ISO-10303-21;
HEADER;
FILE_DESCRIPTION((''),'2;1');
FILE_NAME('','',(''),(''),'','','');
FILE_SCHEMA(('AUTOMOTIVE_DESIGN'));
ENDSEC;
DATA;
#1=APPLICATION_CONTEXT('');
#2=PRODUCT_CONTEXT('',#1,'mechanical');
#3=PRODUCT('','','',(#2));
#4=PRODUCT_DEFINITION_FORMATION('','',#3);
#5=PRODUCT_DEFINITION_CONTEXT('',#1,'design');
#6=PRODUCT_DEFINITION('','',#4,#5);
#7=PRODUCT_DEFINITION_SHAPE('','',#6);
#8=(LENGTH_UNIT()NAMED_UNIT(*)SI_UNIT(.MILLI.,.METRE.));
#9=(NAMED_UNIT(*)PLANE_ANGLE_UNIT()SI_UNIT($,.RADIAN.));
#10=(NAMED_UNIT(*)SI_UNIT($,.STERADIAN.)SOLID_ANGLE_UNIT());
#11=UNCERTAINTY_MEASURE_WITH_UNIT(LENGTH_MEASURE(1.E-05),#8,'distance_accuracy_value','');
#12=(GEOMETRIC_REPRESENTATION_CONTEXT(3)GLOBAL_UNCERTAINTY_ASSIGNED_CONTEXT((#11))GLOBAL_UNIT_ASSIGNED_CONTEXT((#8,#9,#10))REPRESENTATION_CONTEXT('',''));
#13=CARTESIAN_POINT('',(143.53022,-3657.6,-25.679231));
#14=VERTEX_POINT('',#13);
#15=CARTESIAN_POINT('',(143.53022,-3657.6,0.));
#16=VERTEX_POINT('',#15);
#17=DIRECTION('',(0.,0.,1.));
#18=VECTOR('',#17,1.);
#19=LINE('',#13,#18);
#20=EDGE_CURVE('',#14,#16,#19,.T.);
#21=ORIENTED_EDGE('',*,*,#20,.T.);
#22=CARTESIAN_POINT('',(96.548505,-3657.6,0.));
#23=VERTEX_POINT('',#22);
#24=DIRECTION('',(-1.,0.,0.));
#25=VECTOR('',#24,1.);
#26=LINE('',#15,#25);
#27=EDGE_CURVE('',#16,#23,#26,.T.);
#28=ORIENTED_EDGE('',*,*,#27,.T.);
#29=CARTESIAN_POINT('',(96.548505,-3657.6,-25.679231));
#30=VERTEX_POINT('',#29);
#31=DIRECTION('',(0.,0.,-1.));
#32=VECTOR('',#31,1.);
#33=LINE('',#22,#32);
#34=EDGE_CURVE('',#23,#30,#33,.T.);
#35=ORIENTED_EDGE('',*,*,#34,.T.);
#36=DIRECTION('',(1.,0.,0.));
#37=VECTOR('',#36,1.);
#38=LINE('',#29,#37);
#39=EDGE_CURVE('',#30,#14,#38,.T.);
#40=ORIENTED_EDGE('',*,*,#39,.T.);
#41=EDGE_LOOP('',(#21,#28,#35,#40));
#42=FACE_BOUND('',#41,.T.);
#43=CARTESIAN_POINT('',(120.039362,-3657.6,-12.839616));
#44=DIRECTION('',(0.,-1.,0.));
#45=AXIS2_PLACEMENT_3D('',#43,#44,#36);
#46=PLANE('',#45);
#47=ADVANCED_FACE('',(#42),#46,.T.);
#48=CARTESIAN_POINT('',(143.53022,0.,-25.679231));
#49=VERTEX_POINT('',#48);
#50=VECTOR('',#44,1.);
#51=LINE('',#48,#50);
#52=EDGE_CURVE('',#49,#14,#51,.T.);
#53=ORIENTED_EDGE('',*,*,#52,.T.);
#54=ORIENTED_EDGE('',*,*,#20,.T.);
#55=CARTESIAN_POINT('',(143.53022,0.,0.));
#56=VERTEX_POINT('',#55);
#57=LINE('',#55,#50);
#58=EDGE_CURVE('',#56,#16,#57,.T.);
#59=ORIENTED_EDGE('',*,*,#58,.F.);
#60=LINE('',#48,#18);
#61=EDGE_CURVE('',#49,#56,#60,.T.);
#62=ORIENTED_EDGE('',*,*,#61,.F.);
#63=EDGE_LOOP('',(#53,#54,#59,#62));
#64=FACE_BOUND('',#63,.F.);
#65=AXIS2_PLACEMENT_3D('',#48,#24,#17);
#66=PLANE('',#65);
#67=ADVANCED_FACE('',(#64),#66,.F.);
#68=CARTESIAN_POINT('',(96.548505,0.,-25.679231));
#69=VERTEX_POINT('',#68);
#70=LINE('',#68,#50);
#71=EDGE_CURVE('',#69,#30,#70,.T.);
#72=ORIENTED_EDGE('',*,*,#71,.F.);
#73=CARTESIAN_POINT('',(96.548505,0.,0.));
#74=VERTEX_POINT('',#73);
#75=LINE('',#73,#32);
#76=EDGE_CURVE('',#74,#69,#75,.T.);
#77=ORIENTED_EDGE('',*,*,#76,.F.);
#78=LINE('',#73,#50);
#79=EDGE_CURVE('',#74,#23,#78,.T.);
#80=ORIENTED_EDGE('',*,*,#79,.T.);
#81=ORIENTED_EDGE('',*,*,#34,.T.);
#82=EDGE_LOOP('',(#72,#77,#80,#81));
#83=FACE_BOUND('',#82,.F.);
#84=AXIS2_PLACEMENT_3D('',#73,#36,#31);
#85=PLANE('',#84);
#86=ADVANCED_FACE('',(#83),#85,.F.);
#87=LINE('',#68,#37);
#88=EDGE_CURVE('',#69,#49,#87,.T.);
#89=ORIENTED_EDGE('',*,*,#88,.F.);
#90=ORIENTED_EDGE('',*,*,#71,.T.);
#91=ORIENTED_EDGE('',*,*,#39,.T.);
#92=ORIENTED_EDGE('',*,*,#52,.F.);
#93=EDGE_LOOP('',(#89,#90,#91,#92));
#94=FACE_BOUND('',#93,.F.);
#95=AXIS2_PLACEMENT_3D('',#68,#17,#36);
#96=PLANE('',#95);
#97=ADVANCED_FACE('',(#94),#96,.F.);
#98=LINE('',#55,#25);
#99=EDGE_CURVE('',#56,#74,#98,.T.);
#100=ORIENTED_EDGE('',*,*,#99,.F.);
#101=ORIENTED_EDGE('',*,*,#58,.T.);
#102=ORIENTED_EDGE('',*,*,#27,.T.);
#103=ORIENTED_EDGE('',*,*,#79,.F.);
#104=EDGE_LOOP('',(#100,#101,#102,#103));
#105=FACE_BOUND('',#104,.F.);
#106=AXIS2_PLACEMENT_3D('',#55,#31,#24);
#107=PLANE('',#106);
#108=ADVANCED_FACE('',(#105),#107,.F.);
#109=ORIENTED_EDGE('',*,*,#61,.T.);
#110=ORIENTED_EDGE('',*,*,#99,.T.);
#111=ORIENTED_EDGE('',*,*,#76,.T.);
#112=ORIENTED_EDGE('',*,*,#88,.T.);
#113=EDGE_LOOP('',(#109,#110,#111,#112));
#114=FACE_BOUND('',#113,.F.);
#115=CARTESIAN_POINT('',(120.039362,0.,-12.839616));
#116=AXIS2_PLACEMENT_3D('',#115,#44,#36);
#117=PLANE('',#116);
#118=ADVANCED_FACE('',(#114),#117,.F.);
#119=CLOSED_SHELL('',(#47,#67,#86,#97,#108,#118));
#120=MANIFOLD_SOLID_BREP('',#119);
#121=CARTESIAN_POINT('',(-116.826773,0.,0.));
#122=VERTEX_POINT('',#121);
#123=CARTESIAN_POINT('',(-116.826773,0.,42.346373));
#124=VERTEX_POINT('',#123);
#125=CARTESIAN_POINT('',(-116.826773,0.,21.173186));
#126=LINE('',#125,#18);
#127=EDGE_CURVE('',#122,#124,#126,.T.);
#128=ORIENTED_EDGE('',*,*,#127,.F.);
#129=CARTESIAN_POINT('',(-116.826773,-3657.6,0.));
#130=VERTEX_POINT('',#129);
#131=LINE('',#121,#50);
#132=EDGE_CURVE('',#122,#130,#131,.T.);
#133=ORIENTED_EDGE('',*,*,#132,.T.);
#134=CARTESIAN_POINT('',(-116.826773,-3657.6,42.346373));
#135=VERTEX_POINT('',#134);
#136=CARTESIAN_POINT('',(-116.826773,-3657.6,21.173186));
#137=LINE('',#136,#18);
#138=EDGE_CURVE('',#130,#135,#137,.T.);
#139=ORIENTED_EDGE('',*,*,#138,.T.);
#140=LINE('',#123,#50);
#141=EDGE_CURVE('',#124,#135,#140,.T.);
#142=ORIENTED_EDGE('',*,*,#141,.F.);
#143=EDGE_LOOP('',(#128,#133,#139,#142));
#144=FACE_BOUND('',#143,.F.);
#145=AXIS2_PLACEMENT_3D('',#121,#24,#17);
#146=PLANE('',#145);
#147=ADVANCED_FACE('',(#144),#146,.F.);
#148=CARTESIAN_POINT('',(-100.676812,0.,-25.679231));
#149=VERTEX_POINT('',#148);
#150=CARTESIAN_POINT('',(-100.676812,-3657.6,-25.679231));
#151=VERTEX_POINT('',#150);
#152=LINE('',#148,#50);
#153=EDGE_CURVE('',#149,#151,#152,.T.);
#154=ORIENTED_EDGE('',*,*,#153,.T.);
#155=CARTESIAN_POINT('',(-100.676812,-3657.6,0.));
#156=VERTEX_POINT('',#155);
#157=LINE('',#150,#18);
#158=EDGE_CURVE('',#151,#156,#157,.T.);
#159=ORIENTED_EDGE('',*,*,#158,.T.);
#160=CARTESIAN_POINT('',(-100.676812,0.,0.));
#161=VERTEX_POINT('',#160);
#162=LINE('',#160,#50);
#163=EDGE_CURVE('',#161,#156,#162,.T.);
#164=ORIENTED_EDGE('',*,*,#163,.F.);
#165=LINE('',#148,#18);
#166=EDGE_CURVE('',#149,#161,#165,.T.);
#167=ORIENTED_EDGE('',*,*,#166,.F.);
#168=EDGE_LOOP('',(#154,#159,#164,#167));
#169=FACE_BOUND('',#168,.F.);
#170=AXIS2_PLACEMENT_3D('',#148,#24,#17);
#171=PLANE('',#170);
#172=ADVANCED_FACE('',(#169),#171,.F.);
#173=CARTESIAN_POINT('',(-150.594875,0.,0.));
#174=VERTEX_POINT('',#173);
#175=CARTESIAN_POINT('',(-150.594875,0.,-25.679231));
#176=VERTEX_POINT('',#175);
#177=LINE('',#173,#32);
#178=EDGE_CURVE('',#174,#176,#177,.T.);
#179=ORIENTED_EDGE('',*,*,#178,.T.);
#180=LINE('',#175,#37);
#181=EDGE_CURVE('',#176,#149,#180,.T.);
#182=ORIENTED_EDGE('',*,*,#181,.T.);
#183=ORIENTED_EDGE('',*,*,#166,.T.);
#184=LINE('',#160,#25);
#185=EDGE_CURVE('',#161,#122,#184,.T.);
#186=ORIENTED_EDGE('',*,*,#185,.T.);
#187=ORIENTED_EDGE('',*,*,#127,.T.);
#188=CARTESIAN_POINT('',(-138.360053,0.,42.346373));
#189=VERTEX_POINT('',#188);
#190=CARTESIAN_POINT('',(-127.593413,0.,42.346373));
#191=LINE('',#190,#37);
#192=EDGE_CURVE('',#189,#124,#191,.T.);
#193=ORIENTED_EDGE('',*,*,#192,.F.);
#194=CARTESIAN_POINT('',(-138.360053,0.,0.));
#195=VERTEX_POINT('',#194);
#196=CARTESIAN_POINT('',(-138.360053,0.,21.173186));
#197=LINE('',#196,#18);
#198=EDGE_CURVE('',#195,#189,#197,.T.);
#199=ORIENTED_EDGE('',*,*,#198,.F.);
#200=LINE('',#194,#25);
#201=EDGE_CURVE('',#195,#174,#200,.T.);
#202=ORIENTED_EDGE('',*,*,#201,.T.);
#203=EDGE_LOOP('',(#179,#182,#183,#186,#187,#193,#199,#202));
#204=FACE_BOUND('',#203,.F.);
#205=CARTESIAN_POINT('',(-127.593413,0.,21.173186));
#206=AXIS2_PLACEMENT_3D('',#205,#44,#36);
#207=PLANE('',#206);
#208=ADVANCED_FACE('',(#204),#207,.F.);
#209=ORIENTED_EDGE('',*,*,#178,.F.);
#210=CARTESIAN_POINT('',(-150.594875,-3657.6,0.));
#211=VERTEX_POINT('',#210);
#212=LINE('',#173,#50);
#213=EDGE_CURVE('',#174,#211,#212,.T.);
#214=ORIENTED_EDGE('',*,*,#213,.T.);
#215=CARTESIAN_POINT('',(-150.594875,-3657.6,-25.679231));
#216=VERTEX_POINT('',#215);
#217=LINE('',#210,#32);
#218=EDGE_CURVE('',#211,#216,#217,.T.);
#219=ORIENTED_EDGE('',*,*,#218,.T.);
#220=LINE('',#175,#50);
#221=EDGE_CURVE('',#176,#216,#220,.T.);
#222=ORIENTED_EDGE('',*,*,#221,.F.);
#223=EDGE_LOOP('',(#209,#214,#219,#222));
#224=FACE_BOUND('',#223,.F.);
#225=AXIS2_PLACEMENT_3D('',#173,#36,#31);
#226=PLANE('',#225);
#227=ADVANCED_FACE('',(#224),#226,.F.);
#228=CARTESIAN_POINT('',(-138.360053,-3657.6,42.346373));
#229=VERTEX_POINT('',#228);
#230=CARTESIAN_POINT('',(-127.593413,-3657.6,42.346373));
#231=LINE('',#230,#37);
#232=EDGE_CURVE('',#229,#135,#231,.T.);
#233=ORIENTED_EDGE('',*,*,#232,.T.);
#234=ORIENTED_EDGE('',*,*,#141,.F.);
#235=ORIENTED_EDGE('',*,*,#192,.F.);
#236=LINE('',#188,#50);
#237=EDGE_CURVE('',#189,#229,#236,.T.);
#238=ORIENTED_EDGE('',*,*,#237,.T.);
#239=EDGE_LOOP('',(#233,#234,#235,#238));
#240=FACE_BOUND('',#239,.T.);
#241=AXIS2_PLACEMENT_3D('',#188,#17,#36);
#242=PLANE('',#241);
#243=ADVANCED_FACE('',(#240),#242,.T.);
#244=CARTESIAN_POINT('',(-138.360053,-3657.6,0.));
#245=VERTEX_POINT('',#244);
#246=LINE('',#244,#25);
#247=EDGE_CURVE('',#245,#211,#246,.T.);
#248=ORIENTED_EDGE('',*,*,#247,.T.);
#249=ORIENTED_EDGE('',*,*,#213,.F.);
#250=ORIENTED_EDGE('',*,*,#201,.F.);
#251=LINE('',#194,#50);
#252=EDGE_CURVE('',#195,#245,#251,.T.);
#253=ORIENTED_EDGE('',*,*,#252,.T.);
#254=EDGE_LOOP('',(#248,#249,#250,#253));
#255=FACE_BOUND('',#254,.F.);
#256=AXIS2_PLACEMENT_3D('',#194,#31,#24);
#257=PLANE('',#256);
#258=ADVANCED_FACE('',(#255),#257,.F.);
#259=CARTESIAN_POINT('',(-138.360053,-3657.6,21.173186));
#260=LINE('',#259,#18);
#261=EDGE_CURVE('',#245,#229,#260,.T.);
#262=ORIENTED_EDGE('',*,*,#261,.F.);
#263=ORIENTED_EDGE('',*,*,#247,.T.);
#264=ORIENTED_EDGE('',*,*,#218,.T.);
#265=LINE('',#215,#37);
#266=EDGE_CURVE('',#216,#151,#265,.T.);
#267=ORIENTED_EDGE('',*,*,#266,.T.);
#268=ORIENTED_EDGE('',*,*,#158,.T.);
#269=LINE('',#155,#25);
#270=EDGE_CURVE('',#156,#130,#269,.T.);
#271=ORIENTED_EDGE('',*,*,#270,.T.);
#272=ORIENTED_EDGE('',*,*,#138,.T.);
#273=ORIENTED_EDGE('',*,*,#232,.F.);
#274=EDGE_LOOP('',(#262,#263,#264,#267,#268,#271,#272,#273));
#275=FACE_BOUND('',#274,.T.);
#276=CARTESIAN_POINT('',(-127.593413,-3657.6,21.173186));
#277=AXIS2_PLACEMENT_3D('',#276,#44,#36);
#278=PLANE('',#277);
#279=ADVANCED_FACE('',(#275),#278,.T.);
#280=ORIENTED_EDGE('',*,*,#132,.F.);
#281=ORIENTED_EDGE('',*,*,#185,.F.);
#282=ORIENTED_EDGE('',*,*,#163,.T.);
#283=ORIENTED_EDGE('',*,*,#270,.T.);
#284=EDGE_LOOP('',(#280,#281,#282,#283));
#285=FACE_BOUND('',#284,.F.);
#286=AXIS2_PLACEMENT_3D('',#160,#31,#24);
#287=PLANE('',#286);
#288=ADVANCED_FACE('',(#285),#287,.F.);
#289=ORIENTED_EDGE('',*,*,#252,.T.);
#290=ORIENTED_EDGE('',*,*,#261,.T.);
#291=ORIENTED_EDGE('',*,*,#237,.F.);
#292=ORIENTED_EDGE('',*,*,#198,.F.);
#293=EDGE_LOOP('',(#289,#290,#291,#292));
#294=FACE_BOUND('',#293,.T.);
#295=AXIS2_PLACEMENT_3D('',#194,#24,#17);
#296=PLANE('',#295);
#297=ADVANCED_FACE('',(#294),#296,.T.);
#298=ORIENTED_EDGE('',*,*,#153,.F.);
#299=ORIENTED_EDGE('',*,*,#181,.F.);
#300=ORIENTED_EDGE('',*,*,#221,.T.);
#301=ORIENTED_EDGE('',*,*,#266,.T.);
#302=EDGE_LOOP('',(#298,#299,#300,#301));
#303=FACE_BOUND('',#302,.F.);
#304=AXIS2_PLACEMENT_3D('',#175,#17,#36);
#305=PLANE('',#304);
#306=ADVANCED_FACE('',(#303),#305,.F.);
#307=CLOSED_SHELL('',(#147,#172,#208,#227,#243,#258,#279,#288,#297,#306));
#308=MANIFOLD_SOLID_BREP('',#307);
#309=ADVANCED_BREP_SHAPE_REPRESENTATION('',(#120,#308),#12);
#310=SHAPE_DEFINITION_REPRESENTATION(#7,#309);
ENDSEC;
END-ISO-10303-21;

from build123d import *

# Parameters (mm, degrees)
F0_W     = 21.53328
F0_H     = 42.346373
F1_DEPTH = 3657.6


with BuildPart() as f1:
    # F0 (on Front) → F1 (new body)
    with BuildSketch(Plane.XZ):
        with Locations((-127.593413, 21.173186)):
            Rectangle(F0_W, F0_H)
        Polygon((-138.360053, 0), (-150.594875, 0), (-150.594875, -19.259423), (-150.594875, -25.679231), (-100.676812, -25.679231), (-100.676812, -12.839615), (-100.676812, 0), (-116.826773, 0), align=None)
        Polygon((96.548505, -12.839615), (96.548505, -25.679231), (143.53022, -25.679231), (143.53022, -18.338338), (143.53022, 0), (130.316615, 0), (109.76211, 0), (96.548505, 0), align=None)
    extrude(amount=F1_DEPTH)


solid = f1.part
